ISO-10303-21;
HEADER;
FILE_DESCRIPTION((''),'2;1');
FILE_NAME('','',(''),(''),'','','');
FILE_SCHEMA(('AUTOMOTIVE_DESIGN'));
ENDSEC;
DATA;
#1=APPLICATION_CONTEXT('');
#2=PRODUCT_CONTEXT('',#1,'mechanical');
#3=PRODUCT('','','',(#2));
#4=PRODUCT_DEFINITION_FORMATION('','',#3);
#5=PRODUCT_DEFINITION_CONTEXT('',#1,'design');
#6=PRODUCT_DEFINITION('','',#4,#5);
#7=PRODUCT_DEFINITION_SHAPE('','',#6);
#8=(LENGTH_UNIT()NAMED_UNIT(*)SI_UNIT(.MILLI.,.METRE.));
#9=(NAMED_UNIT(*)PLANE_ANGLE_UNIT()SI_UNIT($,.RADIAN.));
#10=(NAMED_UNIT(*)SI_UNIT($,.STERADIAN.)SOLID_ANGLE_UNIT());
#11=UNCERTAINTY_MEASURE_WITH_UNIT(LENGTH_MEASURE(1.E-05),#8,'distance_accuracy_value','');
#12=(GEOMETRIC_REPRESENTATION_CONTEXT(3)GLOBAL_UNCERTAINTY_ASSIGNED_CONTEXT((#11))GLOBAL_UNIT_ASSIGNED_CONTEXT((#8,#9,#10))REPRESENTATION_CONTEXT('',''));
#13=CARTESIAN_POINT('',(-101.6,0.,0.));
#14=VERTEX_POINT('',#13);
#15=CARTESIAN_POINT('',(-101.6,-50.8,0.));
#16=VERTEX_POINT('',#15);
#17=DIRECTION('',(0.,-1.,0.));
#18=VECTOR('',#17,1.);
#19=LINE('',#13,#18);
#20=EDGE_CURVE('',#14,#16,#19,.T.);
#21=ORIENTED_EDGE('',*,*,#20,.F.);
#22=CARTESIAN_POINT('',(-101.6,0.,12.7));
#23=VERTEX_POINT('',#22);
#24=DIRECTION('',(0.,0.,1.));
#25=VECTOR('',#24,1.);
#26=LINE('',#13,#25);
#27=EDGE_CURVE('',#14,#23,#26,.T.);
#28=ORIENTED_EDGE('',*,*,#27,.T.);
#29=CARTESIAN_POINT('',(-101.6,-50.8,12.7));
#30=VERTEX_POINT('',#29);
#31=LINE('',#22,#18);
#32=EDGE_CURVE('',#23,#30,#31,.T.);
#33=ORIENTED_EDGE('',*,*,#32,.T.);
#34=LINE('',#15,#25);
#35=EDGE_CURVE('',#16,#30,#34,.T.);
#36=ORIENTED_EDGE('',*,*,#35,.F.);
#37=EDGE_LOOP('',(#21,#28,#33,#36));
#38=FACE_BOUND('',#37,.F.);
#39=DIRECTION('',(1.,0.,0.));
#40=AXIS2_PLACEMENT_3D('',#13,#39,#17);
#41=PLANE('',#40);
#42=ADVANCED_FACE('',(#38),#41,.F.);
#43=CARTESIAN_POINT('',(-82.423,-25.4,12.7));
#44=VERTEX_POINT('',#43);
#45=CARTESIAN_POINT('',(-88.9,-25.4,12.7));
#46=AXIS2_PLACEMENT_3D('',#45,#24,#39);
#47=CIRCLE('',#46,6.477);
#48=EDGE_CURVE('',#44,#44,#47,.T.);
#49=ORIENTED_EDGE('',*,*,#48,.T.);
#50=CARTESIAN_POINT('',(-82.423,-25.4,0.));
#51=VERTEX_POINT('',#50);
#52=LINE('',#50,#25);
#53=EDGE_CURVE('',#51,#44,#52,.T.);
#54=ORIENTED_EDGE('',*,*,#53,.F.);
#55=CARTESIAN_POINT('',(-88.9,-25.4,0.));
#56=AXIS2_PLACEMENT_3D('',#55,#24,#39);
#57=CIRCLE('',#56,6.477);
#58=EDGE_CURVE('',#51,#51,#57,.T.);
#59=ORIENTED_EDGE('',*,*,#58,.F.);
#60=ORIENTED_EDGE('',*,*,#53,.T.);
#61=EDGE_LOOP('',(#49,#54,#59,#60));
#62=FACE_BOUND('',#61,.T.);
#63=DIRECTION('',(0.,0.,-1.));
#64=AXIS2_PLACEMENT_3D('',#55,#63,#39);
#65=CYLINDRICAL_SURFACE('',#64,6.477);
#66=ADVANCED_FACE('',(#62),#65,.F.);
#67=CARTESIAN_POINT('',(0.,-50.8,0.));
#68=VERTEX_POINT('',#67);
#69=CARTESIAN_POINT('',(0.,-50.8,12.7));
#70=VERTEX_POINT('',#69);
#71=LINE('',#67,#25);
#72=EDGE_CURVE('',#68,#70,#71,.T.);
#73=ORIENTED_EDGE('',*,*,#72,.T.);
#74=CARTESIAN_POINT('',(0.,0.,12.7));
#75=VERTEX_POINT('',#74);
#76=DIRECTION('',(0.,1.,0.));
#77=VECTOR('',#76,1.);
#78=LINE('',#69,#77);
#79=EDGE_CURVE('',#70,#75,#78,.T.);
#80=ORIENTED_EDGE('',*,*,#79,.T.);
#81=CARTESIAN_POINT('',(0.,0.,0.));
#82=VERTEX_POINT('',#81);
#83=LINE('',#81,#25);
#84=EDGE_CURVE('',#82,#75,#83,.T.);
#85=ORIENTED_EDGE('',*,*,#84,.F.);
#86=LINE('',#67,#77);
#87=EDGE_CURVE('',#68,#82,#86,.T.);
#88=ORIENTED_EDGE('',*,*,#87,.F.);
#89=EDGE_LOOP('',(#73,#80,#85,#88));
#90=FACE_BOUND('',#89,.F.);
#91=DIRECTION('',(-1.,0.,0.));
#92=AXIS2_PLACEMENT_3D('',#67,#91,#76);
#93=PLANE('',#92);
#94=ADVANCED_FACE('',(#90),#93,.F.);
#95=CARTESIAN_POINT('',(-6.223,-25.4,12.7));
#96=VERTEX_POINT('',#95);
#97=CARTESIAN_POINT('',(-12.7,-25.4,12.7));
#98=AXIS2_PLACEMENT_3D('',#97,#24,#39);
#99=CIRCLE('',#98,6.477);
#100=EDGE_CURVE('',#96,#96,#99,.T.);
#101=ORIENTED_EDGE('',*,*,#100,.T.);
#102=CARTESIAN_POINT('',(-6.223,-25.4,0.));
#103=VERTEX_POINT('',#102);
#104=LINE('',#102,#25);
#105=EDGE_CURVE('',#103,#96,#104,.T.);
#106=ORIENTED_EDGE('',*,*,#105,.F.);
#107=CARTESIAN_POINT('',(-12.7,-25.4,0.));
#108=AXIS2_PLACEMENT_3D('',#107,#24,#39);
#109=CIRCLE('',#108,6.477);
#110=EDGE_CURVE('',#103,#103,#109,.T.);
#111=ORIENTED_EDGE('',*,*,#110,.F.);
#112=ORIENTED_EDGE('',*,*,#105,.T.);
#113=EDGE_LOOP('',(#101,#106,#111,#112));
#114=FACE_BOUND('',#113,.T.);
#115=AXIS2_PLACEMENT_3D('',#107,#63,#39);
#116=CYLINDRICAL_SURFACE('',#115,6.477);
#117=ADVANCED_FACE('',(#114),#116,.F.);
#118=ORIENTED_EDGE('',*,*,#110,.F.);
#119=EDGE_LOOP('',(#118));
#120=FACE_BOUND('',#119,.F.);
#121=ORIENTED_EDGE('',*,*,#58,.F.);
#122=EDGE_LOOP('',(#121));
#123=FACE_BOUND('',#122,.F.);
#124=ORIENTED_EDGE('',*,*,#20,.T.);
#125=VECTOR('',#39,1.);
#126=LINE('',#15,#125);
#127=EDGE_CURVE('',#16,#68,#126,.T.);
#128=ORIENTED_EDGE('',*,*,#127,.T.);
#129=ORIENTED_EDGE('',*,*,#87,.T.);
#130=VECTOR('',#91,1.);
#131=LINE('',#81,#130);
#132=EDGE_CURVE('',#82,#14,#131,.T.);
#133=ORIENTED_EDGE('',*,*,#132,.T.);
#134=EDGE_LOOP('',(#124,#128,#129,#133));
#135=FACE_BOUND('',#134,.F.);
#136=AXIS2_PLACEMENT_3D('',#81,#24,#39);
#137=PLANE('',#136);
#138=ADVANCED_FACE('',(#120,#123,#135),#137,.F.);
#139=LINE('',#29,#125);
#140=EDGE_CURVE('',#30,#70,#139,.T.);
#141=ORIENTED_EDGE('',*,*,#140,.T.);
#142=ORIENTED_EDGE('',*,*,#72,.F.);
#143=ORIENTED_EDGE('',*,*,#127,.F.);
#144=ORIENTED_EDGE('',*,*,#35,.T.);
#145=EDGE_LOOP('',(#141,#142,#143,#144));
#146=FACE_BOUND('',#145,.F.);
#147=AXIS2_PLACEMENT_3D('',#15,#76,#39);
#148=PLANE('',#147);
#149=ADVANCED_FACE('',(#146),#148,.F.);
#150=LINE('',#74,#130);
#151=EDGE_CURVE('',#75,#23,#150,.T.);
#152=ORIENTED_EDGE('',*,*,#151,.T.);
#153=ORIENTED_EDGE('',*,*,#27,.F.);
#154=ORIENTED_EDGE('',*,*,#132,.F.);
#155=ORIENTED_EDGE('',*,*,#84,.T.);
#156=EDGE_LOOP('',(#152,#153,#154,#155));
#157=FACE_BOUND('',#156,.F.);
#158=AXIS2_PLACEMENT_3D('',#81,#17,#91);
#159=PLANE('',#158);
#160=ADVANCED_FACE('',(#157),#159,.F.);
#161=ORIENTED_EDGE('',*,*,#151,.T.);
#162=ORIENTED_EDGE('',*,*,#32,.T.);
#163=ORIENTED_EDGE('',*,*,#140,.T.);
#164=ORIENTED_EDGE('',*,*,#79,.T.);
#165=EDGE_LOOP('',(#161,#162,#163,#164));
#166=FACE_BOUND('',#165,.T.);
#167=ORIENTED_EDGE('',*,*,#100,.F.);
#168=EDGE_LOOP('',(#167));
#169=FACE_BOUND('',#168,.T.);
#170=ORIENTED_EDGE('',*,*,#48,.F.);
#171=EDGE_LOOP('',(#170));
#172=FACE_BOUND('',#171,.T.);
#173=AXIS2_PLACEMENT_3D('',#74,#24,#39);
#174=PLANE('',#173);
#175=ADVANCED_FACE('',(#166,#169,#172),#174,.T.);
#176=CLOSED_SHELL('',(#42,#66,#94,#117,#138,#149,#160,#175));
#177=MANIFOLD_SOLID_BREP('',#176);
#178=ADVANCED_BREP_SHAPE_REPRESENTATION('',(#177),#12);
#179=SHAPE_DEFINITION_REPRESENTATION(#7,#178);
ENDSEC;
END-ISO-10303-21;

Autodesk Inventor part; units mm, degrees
ref_plane "YZ Plane" through (0, 0, 0) normal (1, 0, 0) x (0, 1, 0)
ref_plane "XZ Plane" through (0, 0, 0) normal (0, 1, 0) x (-1, 0, 0)
ref_plane "XY Plane" through (0, 0, 0) normal (0, 0, 1) x (1, 0, 0)
sketch "Sketch1" plane through (0, 0, 0) normal (0, 0, 1) x (1, 0, 0)
  line L0 (0, 0) -> (-101.6, 0)
  line L1 (-101.6, 0) -> (-101.6, -50.8)
  line L2 (-101.6, -50.8) -> (0, -50.8)
  line L3 (0, -50.8) -> (0, 0)
  circle A0 centre (-88.9, -25.4) radius 6.477
  circle A1 centre (-12.7, -25.4) radius 6.477
  dimension "d0" = 101.6
  dimension "d1" = 50.8
  dimension "d2" = 12.954
  dimension "d3" = 12.954
  dimension "d4" = 12.7
  dimension "d5" = 12.7
  dimension "d6" = 25.4
  dimension "d7" = 25.4
extrude "Extrusion1" add sketch "Sketch1" along normal blind 12.7
properties part number "IC end caps"
